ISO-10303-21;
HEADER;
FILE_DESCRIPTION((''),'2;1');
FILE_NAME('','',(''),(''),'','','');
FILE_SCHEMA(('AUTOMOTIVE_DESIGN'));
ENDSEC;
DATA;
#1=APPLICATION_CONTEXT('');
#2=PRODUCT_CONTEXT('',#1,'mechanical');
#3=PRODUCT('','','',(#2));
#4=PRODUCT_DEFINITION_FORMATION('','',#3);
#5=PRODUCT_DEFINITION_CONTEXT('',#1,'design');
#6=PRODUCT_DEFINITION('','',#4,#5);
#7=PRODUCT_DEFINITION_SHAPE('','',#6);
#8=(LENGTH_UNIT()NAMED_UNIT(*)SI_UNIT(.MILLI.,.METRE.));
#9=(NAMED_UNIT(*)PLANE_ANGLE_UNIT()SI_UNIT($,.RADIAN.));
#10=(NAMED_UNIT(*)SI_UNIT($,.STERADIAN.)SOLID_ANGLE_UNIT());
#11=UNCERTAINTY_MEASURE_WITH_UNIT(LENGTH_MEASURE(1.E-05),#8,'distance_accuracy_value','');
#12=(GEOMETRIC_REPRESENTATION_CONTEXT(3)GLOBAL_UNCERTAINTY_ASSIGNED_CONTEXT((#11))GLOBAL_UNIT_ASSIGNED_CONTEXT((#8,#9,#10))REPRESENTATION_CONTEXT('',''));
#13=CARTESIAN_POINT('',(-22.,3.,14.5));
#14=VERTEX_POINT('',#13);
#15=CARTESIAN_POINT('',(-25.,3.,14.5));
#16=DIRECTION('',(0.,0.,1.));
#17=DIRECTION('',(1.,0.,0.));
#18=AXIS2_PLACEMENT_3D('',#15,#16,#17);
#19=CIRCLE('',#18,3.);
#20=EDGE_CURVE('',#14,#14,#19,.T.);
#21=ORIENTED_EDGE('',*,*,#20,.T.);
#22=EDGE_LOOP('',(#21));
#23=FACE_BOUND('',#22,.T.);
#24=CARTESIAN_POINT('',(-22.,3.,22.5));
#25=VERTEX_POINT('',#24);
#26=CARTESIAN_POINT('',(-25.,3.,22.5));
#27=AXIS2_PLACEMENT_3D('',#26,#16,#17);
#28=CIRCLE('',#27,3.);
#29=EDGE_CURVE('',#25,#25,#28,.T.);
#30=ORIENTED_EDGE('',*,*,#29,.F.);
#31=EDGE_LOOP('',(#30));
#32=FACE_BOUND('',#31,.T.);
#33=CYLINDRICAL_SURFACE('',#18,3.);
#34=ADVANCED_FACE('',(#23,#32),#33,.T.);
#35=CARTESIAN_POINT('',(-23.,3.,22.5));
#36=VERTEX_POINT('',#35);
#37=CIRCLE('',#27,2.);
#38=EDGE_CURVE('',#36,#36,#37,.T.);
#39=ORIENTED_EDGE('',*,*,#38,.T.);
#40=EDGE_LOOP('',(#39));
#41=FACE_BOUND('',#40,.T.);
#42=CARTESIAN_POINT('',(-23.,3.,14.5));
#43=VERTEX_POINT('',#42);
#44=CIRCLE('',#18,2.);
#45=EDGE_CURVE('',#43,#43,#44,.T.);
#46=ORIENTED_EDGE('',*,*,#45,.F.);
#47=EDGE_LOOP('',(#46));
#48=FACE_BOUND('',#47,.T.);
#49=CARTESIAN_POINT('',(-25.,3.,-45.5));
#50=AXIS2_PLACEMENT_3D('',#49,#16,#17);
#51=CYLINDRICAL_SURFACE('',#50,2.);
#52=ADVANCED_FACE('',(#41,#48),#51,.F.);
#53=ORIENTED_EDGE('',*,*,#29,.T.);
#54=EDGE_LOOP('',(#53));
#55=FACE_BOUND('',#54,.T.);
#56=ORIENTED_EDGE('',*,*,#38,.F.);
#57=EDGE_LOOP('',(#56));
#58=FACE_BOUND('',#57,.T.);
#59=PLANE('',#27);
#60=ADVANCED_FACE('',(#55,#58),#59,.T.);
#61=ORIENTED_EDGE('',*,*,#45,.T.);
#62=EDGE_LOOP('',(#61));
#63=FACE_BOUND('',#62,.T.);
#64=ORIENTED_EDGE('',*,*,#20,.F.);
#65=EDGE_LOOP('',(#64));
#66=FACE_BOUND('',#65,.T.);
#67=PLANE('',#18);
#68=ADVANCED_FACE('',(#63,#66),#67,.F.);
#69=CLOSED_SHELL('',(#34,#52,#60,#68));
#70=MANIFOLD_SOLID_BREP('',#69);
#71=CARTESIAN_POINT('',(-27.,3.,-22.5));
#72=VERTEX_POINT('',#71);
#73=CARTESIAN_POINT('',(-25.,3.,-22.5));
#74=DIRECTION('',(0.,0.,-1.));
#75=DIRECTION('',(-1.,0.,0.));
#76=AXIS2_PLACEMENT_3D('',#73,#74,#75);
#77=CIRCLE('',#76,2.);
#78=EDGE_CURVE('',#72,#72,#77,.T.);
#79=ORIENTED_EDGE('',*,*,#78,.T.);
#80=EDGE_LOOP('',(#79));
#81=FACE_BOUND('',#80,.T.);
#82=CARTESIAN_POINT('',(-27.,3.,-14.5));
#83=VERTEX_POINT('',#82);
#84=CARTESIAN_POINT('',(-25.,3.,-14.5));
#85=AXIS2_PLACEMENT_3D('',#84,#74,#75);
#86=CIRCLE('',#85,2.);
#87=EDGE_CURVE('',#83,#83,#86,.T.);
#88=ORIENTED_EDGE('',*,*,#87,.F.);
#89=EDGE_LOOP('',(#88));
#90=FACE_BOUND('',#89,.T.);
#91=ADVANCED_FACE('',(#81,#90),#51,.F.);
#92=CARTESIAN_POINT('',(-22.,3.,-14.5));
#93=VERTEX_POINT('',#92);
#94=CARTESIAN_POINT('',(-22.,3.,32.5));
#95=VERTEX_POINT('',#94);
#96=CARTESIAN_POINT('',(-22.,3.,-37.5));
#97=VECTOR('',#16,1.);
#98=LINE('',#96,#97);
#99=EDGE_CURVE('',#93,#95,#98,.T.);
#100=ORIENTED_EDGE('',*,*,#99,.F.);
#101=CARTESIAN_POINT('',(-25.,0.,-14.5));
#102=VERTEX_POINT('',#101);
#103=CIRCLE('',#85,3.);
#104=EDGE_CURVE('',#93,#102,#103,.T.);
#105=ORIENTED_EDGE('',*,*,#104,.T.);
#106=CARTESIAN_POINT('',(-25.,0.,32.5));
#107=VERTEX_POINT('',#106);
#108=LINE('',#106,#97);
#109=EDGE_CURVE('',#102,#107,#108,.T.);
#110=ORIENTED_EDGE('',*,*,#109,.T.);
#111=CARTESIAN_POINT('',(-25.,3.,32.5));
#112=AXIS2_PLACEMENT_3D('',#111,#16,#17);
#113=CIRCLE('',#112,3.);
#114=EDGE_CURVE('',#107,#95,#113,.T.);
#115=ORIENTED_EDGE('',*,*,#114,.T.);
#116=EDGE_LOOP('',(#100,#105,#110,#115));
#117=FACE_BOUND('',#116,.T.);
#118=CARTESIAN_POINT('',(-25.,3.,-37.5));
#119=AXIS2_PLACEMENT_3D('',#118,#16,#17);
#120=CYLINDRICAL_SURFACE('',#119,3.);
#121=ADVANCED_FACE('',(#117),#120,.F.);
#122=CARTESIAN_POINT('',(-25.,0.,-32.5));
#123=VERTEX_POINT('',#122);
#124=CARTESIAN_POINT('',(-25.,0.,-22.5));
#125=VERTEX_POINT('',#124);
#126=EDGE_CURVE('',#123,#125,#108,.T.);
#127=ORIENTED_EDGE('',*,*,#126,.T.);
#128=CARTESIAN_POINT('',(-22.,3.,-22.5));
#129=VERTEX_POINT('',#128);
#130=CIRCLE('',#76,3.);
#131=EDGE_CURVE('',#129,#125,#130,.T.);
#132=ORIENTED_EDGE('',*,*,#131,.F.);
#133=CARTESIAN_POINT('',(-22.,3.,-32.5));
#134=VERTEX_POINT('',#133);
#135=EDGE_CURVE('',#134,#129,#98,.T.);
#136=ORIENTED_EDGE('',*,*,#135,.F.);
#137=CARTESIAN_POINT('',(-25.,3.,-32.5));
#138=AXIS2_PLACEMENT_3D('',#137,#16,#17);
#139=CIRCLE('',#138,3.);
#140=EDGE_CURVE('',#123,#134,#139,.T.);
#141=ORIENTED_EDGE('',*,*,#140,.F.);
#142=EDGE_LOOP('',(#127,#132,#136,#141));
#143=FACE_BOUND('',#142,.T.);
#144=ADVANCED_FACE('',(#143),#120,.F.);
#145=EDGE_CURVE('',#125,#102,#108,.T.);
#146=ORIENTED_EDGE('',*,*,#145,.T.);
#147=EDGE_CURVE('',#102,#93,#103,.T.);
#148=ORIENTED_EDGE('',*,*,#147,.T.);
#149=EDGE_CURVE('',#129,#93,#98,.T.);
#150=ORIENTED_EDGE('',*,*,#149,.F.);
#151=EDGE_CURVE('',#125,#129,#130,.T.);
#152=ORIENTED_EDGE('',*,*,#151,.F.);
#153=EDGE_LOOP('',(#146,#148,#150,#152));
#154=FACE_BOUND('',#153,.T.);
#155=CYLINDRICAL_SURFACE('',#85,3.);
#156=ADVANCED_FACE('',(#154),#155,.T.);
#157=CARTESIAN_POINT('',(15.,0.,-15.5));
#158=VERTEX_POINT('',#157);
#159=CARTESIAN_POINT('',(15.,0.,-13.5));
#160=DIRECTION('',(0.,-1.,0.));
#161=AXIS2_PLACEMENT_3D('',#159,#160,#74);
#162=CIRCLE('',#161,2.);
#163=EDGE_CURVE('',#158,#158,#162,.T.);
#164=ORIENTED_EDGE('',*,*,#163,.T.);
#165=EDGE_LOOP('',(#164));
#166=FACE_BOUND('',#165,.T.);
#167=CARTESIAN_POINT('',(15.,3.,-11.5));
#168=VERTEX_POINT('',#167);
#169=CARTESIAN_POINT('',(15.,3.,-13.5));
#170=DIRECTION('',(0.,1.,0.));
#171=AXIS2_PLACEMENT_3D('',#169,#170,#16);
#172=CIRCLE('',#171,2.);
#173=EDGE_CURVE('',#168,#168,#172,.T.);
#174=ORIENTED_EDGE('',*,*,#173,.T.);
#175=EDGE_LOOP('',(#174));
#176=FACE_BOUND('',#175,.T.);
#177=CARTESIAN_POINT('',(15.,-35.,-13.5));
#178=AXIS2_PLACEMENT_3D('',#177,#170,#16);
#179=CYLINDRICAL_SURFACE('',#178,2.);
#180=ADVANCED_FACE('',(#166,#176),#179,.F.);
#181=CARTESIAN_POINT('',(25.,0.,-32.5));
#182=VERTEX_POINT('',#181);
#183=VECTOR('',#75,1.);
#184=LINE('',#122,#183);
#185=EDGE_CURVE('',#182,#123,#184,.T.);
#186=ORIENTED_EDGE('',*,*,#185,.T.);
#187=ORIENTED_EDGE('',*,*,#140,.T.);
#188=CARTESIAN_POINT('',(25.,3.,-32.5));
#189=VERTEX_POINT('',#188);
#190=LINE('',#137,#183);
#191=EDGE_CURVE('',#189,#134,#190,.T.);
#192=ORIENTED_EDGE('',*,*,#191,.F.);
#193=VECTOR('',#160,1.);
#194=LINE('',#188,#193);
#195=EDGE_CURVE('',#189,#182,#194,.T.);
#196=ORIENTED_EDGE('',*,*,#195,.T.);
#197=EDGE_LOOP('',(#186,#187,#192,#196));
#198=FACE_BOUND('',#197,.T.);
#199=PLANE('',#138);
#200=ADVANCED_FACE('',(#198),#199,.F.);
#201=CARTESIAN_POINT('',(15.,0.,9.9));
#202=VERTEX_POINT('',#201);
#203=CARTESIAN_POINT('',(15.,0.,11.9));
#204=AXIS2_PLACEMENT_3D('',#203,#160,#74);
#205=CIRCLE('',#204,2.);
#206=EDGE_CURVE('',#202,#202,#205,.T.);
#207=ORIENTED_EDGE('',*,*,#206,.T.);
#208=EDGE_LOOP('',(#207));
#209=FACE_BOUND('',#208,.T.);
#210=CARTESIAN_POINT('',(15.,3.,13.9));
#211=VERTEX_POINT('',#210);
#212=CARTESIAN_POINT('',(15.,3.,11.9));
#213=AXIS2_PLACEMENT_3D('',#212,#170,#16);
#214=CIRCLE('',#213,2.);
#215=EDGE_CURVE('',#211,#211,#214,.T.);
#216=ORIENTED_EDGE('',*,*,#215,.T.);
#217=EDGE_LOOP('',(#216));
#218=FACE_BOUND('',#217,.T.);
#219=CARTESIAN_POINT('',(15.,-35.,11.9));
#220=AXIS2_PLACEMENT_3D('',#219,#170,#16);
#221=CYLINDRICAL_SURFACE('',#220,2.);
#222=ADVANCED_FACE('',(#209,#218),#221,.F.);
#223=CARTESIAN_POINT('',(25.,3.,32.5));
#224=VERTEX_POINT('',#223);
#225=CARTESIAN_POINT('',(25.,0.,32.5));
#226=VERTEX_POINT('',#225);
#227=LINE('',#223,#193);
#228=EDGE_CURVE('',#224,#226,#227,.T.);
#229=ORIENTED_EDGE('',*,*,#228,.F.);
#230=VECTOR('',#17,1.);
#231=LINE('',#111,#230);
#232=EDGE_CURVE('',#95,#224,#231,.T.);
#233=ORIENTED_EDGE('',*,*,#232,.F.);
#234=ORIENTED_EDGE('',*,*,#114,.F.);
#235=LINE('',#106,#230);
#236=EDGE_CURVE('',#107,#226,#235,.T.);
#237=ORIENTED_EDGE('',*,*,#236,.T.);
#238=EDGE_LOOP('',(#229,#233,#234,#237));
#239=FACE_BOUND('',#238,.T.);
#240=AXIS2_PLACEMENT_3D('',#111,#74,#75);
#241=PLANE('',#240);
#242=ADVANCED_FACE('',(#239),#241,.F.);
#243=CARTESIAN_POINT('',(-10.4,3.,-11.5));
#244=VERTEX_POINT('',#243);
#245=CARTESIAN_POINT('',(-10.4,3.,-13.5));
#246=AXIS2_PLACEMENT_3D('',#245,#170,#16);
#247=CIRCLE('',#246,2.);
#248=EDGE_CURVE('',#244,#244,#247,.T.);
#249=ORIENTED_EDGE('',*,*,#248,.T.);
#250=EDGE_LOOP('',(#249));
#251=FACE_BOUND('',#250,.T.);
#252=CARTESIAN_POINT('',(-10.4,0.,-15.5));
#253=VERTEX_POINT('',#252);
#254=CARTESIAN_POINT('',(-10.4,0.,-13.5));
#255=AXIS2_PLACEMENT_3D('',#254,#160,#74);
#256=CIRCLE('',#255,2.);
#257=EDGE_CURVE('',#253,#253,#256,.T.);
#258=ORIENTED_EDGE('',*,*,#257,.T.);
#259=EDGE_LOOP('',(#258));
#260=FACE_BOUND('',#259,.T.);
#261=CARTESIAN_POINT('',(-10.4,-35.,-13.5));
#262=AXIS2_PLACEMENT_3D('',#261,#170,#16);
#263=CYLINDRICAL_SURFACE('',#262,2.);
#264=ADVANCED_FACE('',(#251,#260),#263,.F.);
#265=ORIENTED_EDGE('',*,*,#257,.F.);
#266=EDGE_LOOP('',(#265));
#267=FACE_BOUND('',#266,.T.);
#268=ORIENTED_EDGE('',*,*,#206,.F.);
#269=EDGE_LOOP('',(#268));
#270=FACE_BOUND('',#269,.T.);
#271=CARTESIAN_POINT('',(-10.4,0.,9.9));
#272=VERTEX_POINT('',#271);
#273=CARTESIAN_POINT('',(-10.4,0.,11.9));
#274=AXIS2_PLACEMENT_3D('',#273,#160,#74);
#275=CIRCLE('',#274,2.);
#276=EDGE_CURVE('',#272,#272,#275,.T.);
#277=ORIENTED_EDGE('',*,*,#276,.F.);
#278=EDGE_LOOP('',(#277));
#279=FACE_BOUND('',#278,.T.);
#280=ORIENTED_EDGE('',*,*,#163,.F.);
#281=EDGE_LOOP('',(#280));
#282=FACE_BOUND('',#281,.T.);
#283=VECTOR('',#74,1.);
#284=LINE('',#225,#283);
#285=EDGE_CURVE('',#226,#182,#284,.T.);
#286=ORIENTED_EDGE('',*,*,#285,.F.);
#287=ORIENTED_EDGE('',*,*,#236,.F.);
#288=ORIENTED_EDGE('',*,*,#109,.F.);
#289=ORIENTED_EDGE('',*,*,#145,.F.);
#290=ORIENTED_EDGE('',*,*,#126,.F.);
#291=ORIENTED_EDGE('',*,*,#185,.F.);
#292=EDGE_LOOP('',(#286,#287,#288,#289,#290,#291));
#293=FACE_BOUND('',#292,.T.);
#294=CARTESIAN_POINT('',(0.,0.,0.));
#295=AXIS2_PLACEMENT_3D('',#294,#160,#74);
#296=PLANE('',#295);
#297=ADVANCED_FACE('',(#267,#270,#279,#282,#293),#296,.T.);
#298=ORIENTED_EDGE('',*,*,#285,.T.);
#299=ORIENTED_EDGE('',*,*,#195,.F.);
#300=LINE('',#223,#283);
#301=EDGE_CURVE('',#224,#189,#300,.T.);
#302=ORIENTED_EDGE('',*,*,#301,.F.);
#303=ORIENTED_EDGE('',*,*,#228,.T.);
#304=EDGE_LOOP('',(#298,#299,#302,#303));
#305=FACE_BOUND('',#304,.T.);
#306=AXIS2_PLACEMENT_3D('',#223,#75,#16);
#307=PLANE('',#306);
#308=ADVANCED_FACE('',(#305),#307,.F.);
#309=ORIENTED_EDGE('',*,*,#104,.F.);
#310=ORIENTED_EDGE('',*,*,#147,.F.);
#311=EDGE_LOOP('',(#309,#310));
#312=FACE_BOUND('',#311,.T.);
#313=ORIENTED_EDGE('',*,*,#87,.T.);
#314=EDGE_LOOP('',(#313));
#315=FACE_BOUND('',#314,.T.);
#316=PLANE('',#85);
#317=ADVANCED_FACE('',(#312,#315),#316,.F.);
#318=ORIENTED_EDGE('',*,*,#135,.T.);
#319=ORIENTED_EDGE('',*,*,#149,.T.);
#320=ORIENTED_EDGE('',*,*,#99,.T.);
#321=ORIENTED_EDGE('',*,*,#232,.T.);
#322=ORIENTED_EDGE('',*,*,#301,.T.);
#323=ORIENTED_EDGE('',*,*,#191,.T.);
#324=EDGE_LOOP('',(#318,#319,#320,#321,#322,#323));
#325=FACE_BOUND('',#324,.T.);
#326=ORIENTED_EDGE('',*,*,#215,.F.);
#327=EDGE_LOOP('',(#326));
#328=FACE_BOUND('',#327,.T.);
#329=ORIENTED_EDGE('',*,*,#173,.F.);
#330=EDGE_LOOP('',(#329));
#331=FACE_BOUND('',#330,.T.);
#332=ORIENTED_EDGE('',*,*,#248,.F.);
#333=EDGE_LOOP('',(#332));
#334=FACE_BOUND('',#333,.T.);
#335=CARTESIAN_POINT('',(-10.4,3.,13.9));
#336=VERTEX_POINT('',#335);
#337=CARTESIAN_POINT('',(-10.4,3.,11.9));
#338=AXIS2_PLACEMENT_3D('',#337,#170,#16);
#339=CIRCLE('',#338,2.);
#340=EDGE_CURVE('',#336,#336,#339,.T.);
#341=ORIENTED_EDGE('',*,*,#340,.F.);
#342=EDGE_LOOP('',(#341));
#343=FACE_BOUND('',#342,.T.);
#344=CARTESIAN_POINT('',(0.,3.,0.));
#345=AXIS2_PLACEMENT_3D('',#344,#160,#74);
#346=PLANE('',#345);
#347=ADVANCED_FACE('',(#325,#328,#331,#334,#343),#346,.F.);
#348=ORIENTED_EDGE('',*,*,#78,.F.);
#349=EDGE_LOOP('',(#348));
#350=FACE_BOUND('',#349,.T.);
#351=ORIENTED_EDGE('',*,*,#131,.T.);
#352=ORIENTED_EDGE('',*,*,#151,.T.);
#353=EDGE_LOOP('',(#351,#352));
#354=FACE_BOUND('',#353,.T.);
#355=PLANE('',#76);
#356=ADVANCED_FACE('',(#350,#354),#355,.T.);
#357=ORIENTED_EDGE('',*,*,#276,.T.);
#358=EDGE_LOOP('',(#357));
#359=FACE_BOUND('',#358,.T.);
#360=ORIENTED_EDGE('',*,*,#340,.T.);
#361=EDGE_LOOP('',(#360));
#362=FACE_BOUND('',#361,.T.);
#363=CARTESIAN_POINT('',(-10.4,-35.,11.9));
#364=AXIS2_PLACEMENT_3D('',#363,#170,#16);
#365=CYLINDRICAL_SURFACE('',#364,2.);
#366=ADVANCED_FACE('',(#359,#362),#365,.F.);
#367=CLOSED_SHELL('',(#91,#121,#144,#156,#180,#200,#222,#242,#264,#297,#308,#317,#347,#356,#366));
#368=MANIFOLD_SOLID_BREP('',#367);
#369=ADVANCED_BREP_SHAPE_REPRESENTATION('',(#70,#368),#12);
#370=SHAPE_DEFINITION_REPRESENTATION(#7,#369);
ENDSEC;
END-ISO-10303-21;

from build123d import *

# Parameters (mm, degrees)
SKETCH1_W           = 50
SKETCH1_H           = 65
BOSS_EXTRUDE1_DEPTH = 3
SKETCH4_R           = 3
CUT_EXTRUDE1_DEPTH  = 70
SKETCH5_R           = 3
BOSS_EXTRUDE3_DEPTH = 8
BOSS_EXTRUDE4_START = -8
SKETCH6_R           = 3
BOSS_EXTRUDE4_DEPTH = 8
SKETCH7_R           = 2
CUT_EXTRUDE2_DEPTH  = 68
SKETCH8_R           = 2
CUT_EXTRUDE3_DEPTH  = 38


with BuildPart() as part:
    # Sketch1 → Boss-Extrude1 (new body)
    with BuildSketch(Plane(origin=(0, 0, 0), x_dir=(1, 0, 0), z_dir=(0, 1, 0))):
        Rectangle(SKETCH1_W, SKETCH1_H)
    extrude(amount=BOSS_EXTRUDE1_DEPTH)

    # Sketch4 → Cut-Extrude1 (cut)
    with BuildSketch(Plane.XY.offset(32.5)):
        with Locations((-25, 3)):
            Circle(SKETCH4_R)
    extrude(amount=-CUT_EXTRUDE1_DEPTH, mode=Mode.SUBTRACT)

    # Sketch6 → Boss-Extrude4 (add)
    with BuildSketch(Plane(origin=(0, 0, -22.5), x_dir=(-1, 0, 0), z_dir=(0, 0, -1)).offset(BOSS_EXTRUDE4_START)):
        with Locations(Location((25, 3, 0), (0, 0, 180))):
            Circle(SKETCH6_R)
    extrude(amount=BOSS_EXTRUDE4_DEPTH)


with BuildPart() as body_2:
    # Sketch5 → Boss-Extrude3 (new body)
    with BuildSketch(Plane.XY.offset(22.5)):
        with Locations((-25, 3)):
            Circle(SKETCH5_R)
    extrude(amount=-BOSS_EXTRUDE3_DEPTH)


with BuildPart() as cut_extrude2_tool:
    # Sketch7 → Cut-Extrude2 (new body)
    with BuildSketch(Plane.XY.offset(22.5)):
        with Locations((-25, 3)):
            Circle(SKETCH7_R)
    extrude(amount=-CUT_EXTRUDE2_DEPTH)


with BuildPart() as part_1:
    add(part.part)

    # Cut-Extrude2: cut by cut_extrude2_tool
    add(cut_extrude2_tool.part, mode=Mode.SUBTRACT)

    # Sketch8 → Cut-Extrude3 (cut)
    with BuildSketch(Plane(origin=(0, 3, 0), x_dir=(1, 0, 0), z_dir=(0, 1, 0))):
        with Locations(Location((-10.4, 13.5, 0), (0, 0, 270))):
            Circle(SKETCH8_R)
        with Locations(Location((15, 13.5, 0), (0, 0, 270))):
            Circle(SKETCH8_R)
        with Locations(Location((15, -11.9, 0), (0, 0, 270))):
            Circle(SKETCH8_R)
        with Locations(Location((-10.4, -11.9, 0), (0, 0, 270))):
            Circle(SKETCH8_R)
    extrude(amount=-CUT_EXTRUDE3_DEPTH, mode=Mode.SUBTRACT)


with BuildPart() as body_2_1:
    add(body_2.part)

    # Cut-Extrude2: cut by cut_extrude2_tool
    add(cut_extrude2_tool.part, mode=Mode.SUBTRACT)


solid = Compound([part_1.part, body_2_1.part])
